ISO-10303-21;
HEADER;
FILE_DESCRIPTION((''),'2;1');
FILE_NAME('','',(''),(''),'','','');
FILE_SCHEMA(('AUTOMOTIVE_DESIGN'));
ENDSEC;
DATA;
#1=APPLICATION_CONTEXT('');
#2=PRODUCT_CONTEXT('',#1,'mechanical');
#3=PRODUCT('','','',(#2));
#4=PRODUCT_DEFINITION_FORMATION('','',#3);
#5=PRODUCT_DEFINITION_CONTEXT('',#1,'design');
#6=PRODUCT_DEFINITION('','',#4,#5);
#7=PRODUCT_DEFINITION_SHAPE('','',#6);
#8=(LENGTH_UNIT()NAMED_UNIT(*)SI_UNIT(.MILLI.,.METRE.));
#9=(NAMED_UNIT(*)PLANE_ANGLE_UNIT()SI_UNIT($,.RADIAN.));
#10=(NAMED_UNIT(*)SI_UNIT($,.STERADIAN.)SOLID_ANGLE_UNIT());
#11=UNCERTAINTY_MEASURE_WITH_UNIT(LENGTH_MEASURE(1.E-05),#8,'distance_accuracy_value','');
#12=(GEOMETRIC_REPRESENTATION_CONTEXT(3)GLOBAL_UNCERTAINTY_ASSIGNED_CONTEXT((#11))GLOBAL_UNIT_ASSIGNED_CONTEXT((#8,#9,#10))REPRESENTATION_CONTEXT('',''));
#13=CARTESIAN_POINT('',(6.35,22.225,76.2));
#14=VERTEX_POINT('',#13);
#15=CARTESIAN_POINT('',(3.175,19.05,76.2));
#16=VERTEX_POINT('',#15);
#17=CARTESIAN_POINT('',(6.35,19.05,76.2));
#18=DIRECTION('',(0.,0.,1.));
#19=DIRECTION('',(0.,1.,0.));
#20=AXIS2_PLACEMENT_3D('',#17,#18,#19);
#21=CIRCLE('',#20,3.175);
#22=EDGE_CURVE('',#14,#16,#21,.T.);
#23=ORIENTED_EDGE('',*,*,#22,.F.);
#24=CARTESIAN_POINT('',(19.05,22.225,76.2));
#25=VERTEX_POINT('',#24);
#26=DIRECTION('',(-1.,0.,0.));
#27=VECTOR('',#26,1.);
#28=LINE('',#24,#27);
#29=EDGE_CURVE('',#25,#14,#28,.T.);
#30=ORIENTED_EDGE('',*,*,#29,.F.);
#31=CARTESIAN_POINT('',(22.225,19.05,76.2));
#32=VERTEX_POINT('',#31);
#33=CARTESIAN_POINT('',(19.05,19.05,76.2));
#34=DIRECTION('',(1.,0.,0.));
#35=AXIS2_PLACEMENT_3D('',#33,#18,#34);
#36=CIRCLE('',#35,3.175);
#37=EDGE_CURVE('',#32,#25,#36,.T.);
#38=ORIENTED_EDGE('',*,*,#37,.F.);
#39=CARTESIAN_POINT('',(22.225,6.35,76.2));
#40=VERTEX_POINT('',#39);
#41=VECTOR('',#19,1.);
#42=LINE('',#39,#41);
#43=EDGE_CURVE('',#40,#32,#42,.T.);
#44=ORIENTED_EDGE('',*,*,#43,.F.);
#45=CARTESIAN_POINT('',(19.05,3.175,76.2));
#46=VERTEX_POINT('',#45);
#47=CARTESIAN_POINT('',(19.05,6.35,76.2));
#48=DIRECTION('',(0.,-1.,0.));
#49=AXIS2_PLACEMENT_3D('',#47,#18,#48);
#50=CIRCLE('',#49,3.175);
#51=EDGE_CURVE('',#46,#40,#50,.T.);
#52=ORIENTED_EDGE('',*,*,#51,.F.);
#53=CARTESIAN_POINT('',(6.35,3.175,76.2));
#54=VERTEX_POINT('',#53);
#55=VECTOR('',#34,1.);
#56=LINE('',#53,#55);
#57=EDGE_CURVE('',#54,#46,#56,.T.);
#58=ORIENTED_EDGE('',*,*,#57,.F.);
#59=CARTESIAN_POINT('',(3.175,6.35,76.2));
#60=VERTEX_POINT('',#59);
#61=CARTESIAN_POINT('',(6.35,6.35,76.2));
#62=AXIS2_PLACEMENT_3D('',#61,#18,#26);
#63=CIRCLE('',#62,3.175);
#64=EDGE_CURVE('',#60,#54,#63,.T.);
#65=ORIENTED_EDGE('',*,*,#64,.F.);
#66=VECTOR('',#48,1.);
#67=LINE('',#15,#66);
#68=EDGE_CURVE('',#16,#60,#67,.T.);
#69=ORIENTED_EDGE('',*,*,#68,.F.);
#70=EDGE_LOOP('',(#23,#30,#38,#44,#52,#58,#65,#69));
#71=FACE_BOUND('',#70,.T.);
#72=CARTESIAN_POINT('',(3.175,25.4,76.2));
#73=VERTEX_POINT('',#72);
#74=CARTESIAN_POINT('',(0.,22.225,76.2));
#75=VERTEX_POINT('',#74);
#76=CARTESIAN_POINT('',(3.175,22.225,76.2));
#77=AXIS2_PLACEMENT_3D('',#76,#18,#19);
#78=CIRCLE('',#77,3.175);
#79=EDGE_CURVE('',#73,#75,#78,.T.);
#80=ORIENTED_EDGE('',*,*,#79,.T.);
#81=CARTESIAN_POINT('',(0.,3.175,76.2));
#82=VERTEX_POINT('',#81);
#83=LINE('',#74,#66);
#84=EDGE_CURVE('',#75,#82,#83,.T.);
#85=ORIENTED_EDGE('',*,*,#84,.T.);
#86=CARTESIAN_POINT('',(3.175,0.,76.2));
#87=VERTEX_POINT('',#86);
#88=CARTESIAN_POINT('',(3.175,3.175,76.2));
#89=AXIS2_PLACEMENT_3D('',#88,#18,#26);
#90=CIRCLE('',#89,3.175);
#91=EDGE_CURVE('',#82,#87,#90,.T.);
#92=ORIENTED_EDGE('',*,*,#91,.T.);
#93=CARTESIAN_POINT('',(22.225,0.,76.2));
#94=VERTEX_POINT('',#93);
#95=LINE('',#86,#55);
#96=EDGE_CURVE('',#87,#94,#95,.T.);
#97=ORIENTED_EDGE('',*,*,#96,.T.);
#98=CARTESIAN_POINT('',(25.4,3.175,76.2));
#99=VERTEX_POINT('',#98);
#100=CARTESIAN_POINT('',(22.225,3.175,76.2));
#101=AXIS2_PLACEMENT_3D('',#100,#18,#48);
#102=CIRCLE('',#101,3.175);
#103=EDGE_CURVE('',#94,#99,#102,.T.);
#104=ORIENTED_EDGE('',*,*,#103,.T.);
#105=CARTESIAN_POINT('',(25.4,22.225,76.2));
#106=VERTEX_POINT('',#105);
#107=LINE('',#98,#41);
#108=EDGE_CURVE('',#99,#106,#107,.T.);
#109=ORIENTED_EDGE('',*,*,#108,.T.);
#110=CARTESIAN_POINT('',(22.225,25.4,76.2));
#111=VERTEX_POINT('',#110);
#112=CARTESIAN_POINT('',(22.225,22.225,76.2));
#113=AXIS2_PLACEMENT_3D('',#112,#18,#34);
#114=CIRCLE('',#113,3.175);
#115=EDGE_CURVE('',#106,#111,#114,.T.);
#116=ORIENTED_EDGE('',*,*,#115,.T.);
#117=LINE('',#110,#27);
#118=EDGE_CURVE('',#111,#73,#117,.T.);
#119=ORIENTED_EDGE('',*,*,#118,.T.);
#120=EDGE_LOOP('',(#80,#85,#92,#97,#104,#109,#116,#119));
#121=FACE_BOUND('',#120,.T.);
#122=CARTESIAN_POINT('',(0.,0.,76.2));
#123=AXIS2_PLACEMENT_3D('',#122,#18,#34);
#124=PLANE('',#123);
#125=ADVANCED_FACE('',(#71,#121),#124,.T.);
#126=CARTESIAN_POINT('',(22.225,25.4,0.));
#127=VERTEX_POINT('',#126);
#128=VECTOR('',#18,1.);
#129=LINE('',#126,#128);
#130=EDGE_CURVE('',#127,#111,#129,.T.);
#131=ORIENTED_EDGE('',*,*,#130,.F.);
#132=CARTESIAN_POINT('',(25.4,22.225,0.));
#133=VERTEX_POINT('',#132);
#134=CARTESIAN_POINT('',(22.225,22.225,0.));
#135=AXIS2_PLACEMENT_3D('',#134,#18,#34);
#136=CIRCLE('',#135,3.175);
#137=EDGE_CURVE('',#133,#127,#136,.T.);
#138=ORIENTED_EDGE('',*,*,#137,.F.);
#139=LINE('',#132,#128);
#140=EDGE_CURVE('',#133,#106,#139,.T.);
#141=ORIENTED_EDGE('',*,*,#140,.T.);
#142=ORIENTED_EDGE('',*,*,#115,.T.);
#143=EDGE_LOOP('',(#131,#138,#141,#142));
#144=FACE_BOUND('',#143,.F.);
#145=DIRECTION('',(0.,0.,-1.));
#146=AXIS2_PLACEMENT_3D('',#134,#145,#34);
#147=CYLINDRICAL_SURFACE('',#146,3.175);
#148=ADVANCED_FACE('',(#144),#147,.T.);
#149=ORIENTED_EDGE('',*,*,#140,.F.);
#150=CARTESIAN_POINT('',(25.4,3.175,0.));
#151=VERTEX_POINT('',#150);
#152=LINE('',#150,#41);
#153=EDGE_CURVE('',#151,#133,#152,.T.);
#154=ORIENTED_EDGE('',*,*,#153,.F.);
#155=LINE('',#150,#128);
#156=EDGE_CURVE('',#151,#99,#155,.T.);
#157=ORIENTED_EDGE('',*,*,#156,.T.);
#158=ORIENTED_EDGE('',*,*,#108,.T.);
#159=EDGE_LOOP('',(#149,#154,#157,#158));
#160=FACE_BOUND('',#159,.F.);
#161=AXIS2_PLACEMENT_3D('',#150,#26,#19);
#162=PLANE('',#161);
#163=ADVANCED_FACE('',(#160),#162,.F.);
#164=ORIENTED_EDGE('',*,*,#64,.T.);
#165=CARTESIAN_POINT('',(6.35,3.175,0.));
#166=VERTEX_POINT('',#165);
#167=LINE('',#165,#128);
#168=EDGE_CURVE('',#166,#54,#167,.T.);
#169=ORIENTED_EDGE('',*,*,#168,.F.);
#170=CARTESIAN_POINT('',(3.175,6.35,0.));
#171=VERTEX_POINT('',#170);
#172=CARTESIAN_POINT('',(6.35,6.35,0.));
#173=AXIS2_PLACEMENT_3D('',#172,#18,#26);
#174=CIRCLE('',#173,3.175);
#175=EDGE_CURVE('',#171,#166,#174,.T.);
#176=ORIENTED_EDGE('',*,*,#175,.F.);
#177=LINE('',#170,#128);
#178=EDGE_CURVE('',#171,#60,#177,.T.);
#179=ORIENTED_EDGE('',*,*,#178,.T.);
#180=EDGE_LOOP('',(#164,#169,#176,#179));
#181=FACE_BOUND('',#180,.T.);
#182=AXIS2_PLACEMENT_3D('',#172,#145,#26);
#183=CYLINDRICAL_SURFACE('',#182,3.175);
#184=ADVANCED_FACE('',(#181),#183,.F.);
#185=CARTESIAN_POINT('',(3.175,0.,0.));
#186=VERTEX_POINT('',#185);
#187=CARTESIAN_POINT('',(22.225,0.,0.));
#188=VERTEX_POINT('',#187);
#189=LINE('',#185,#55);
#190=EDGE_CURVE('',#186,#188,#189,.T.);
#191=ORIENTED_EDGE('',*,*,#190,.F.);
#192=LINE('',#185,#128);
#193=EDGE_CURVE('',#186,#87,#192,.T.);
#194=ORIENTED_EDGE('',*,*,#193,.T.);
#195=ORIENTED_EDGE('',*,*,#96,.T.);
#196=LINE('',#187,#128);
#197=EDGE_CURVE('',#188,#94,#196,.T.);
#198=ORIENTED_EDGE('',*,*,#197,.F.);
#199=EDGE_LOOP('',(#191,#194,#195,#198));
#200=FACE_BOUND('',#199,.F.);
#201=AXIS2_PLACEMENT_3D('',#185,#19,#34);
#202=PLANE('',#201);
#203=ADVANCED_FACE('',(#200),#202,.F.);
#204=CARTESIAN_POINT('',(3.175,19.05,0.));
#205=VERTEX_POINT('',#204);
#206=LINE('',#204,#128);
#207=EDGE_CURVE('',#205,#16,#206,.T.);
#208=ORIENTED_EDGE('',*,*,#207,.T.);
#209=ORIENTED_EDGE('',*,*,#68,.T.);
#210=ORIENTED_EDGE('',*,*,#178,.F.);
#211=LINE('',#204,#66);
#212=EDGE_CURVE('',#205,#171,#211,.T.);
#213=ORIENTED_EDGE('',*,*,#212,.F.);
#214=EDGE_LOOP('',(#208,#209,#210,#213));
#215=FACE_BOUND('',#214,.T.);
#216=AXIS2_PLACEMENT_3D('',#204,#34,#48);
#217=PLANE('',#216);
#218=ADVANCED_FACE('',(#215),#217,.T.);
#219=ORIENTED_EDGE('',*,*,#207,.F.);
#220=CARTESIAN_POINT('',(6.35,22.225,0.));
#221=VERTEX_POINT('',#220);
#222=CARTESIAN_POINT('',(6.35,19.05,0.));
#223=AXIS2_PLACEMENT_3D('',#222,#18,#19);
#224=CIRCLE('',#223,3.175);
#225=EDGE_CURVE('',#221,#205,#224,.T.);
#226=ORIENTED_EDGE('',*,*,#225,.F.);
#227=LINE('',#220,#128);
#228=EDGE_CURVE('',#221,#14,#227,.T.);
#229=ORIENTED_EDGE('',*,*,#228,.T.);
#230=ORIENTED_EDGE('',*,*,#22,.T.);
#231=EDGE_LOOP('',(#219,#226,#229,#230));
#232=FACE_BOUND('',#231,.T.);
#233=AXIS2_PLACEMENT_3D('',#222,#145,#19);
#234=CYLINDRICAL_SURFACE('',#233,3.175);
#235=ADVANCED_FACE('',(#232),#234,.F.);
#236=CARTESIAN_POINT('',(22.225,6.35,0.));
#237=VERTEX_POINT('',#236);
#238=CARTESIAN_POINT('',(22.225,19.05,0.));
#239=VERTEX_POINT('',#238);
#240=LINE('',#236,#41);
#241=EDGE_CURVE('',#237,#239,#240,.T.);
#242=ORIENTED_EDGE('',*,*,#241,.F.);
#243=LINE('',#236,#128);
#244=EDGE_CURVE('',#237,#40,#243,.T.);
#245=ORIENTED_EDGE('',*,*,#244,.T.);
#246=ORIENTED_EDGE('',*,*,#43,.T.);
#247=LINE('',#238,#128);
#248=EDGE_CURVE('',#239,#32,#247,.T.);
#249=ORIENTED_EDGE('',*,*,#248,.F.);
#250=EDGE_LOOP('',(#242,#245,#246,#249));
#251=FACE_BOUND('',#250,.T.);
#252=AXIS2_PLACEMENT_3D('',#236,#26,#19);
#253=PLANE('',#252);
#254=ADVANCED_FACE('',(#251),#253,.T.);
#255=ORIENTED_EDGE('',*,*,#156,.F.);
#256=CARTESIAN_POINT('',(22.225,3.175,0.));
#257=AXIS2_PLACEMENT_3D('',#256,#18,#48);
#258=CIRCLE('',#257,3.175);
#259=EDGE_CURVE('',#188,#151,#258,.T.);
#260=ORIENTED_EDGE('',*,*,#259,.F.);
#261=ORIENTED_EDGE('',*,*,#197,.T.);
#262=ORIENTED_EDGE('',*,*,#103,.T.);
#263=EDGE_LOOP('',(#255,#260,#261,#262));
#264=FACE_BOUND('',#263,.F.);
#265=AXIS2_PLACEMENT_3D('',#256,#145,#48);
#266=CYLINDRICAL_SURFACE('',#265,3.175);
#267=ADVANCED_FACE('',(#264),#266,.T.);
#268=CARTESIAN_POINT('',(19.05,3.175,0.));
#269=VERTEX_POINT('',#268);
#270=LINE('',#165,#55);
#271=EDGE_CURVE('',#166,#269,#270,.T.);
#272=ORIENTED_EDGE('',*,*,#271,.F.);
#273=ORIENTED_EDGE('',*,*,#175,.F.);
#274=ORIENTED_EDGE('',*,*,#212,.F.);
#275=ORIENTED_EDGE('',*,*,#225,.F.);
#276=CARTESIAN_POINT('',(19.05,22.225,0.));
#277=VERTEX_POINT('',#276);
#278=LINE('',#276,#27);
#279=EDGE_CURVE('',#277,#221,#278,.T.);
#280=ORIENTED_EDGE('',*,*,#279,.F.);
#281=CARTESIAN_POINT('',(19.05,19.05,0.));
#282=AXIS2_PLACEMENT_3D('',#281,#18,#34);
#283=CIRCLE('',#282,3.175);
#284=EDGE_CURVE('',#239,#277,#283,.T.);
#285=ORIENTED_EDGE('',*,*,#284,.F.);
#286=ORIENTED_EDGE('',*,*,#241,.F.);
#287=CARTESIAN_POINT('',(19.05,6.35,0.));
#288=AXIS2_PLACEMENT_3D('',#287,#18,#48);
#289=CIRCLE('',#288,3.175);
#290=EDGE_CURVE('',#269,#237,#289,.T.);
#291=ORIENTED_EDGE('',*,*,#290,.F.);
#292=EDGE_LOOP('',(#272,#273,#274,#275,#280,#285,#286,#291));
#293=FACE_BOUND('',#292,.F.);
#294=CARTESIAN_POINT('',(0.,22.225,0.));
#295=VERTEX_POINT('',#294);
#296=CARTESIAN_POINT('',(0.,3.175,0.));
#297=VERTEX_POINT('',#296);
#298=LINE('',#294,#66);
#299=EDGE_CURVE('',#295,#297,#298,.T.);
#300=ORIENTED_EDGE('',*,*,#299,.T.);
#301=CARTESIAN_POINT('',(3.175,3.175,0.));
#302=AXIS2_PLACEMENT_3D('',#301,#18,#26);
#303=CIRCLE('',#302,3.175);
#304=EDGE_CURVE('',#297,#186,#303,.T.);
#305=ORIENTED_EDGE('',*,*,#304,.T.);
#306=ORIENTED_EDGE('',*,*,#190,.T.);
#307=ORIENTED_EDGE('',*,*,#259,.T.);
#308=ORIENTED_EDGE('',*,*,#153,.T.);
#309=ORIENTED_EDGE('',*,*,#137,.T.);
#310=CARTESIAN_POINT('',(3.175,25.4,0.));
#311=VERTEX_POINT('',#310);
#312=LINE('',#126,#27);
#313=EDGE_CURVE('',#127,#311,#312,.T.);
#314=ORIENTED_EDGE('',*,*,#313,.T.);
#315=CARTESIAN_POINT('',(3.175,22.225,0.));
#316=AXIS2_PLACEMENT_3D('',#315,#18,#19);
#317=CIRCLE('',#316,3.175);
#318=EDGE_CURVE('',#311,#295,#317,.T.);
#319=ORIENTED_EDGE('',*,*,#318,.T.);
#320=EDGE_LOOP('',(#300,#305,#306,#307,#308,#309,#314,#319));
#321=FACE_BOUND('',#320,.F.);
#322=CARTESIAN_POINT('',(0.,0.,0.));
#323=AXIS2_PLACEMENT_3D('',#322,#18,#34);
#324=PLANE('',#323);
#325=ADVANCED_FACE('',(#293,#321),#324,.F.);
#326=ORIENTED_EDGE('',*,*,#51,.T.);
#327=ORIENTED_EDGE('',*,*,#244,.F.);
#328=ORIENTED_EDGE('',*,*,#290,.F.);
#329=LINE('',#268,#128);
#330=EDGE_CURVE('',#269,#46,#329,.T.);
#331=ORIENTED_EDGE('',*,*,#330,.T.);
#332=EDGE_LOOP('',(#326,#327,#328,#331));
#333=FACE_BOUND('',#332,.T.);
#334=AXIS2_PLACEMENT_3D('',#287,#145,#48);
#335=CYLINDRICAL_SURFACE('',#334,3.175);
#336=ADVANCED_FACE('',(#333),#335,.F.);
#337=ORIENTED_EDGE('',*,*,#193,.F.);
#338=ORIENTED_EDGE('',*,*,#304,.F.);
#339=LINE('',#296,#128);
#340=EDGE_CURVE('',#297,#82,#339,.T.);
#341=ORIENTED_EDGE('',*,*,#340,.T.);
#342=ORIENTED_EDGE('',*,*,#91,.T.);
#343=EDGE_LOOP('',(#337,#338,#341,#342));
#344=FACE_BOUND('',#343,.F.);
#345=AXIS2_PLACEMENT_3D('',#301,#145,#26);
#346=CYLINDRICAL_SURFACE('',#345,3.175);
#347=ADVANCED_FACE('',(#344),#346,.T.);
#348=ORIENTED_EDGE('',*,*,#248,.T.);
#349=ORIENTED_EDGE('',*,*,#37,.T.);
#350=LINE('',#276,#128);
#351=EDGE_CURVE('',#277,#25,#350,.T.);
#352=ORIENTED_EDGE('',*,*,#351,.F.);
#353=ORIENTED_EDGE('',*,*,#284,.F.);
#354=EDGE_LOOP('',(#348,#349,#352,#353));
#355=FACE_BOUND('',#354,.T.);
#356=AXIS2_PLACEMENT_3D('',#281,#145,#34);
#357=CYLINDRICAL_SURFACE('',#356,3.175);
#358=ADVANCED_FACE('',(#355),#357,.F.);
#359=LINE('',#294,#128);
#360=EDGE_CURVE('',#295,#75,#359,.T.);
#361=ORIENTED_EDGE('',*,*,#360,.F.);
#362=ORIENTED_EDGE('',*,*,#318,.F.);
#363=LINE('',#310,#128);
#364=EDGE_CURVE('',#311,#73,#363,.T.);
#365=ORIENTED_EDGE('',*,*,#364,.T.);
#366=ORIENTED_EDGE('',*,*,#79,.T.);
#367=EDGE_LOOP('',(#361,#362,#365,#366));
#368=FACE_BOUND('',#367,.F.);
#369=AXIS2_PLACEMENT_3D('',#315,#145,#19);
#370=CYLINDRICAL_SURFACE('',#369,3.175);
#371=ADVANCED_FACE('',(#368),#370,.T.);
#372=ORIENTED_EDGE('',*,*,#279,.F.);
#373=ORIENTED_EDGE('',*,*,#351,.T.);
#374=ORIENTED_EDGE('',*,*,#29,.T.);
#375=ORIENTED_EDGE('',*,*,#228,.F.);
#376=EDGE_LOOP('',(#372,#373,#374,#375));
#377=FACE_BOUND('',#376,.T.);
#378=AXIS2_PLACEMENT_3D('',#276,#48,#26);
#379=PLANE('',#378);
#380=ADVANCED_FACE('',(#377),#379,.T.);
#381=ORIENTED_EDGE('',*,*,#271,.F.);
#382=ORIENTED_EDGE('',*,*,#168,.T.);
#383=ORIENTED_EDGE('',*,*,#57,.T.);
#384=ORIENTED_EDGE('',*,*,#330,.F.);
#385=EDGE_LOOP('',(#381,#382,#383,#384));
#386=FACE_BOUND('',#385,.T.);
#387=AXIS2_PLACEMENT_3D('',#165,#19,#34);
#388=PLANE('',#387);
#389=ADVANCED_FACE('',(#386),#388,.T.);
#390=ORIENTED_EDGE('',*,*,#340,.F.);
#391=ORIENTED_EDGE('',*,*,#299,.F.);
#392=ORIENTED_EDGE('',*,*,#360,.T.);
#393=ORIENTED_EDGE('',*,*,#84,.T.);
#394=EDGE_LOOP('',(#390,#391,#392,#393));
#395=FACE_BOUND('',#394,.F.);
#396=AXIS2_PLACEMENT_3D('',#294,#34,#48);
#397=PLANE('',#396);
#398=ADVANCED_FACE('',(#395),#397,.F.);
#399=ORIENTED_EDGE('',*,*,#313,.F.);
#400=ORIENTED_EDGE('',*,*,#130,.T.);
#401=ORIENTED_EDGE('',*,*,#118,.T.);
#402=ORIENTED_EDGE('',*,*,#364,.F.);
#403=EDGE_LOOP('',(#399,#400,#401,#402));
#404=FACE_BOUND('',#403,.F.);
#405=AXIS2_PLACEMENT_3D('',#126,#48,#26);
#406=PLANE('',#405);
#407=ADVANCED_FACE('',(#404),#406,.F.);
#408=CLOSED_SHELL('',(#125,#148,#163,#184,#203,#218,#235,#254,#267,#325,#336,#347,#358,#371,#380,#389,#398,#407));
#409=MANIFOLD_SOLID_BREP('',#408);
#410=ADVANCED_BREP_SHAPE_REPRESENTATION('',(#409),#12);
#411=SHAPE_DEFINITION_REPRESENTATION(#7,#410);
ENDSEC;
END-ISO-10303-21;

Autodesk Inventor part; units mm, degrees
ref_plane "YZ Plane" through (0, 0, 0) normal (1, 0, 0) x (0, 1, 0)
ref_plane "XZ Plane" through (0, 0, 0) normal (0, 1, 0) x (-1, 0, 0)
ref_plane "XY Plane" through (0, 0, 0) normal (0, 0, 1) x (1, 0, 0)
sketch "Sketch1" plane through (0, 0, 0) normal (0, 0, 1) x (1, 0, 0)
  line L0 (3.175, 0) -> (22.225, 0)
  line L1 (25.4, 3.175) -> (25.4, 22.225)
  line L2 (22.225, 25.4) -> (3.175, 25.4)
  line L3 (0, 22.225) -> (0, 3.175)
  arc A0 (3.175, 25.4) -> (0, 22.225) centre (3.175, 22.225) ccw
  arc A1 (25.4, 22.225) -> (22.225, 25.4) centre (22.225, 22.225) ccw
  arc A2 (22.225, 0) -> (25.4, 3.175) centre (22.225, 3.175) ccw
  arc A3 (0, 3.175) -> (3.175, 0) centre (3.175, 3.175) ccw
  line L4 (6.35, 3.175) -> (19.05, 3.175)
  line L5 (22.225, 6.35) -> (22.225, 19.05)
  line L6 (19.05, 22.225) -> (6.35, 22.225)
  line L7 (3.175, 19.05) -> (3.175, 6.35)
  arc A4 (6.35, 22.225) -> (3.175, 19.05) centre (6.35, 19.05) ccw
  arc A5 (19.05, 3.175) -> (22.225, 6.35) centre (19.05, 6.35) ccw
  arc A6 (22.225, 19.05) -> (19.05, 22.225) centre (19.05, 19.05) ccw
  arc A7 (3.175, 6.35) -> (6.35, 3.175) centre (6.35, 6.35) ccw
  point P0 (0, 0)
  point P1 (25.4, 25.4)
  point P2 (25.4, 0)
  point P3 (0, 25.4)
  dimension "d0" = 25.4
  dimension "d1" = 25.4
  dimension "d2" = 3.175
  dimension "d3" = 3.175
extrude "Extrusion1" add sketch "Sketch1" along normal blind 76.2
properties part number "ClampTo"
